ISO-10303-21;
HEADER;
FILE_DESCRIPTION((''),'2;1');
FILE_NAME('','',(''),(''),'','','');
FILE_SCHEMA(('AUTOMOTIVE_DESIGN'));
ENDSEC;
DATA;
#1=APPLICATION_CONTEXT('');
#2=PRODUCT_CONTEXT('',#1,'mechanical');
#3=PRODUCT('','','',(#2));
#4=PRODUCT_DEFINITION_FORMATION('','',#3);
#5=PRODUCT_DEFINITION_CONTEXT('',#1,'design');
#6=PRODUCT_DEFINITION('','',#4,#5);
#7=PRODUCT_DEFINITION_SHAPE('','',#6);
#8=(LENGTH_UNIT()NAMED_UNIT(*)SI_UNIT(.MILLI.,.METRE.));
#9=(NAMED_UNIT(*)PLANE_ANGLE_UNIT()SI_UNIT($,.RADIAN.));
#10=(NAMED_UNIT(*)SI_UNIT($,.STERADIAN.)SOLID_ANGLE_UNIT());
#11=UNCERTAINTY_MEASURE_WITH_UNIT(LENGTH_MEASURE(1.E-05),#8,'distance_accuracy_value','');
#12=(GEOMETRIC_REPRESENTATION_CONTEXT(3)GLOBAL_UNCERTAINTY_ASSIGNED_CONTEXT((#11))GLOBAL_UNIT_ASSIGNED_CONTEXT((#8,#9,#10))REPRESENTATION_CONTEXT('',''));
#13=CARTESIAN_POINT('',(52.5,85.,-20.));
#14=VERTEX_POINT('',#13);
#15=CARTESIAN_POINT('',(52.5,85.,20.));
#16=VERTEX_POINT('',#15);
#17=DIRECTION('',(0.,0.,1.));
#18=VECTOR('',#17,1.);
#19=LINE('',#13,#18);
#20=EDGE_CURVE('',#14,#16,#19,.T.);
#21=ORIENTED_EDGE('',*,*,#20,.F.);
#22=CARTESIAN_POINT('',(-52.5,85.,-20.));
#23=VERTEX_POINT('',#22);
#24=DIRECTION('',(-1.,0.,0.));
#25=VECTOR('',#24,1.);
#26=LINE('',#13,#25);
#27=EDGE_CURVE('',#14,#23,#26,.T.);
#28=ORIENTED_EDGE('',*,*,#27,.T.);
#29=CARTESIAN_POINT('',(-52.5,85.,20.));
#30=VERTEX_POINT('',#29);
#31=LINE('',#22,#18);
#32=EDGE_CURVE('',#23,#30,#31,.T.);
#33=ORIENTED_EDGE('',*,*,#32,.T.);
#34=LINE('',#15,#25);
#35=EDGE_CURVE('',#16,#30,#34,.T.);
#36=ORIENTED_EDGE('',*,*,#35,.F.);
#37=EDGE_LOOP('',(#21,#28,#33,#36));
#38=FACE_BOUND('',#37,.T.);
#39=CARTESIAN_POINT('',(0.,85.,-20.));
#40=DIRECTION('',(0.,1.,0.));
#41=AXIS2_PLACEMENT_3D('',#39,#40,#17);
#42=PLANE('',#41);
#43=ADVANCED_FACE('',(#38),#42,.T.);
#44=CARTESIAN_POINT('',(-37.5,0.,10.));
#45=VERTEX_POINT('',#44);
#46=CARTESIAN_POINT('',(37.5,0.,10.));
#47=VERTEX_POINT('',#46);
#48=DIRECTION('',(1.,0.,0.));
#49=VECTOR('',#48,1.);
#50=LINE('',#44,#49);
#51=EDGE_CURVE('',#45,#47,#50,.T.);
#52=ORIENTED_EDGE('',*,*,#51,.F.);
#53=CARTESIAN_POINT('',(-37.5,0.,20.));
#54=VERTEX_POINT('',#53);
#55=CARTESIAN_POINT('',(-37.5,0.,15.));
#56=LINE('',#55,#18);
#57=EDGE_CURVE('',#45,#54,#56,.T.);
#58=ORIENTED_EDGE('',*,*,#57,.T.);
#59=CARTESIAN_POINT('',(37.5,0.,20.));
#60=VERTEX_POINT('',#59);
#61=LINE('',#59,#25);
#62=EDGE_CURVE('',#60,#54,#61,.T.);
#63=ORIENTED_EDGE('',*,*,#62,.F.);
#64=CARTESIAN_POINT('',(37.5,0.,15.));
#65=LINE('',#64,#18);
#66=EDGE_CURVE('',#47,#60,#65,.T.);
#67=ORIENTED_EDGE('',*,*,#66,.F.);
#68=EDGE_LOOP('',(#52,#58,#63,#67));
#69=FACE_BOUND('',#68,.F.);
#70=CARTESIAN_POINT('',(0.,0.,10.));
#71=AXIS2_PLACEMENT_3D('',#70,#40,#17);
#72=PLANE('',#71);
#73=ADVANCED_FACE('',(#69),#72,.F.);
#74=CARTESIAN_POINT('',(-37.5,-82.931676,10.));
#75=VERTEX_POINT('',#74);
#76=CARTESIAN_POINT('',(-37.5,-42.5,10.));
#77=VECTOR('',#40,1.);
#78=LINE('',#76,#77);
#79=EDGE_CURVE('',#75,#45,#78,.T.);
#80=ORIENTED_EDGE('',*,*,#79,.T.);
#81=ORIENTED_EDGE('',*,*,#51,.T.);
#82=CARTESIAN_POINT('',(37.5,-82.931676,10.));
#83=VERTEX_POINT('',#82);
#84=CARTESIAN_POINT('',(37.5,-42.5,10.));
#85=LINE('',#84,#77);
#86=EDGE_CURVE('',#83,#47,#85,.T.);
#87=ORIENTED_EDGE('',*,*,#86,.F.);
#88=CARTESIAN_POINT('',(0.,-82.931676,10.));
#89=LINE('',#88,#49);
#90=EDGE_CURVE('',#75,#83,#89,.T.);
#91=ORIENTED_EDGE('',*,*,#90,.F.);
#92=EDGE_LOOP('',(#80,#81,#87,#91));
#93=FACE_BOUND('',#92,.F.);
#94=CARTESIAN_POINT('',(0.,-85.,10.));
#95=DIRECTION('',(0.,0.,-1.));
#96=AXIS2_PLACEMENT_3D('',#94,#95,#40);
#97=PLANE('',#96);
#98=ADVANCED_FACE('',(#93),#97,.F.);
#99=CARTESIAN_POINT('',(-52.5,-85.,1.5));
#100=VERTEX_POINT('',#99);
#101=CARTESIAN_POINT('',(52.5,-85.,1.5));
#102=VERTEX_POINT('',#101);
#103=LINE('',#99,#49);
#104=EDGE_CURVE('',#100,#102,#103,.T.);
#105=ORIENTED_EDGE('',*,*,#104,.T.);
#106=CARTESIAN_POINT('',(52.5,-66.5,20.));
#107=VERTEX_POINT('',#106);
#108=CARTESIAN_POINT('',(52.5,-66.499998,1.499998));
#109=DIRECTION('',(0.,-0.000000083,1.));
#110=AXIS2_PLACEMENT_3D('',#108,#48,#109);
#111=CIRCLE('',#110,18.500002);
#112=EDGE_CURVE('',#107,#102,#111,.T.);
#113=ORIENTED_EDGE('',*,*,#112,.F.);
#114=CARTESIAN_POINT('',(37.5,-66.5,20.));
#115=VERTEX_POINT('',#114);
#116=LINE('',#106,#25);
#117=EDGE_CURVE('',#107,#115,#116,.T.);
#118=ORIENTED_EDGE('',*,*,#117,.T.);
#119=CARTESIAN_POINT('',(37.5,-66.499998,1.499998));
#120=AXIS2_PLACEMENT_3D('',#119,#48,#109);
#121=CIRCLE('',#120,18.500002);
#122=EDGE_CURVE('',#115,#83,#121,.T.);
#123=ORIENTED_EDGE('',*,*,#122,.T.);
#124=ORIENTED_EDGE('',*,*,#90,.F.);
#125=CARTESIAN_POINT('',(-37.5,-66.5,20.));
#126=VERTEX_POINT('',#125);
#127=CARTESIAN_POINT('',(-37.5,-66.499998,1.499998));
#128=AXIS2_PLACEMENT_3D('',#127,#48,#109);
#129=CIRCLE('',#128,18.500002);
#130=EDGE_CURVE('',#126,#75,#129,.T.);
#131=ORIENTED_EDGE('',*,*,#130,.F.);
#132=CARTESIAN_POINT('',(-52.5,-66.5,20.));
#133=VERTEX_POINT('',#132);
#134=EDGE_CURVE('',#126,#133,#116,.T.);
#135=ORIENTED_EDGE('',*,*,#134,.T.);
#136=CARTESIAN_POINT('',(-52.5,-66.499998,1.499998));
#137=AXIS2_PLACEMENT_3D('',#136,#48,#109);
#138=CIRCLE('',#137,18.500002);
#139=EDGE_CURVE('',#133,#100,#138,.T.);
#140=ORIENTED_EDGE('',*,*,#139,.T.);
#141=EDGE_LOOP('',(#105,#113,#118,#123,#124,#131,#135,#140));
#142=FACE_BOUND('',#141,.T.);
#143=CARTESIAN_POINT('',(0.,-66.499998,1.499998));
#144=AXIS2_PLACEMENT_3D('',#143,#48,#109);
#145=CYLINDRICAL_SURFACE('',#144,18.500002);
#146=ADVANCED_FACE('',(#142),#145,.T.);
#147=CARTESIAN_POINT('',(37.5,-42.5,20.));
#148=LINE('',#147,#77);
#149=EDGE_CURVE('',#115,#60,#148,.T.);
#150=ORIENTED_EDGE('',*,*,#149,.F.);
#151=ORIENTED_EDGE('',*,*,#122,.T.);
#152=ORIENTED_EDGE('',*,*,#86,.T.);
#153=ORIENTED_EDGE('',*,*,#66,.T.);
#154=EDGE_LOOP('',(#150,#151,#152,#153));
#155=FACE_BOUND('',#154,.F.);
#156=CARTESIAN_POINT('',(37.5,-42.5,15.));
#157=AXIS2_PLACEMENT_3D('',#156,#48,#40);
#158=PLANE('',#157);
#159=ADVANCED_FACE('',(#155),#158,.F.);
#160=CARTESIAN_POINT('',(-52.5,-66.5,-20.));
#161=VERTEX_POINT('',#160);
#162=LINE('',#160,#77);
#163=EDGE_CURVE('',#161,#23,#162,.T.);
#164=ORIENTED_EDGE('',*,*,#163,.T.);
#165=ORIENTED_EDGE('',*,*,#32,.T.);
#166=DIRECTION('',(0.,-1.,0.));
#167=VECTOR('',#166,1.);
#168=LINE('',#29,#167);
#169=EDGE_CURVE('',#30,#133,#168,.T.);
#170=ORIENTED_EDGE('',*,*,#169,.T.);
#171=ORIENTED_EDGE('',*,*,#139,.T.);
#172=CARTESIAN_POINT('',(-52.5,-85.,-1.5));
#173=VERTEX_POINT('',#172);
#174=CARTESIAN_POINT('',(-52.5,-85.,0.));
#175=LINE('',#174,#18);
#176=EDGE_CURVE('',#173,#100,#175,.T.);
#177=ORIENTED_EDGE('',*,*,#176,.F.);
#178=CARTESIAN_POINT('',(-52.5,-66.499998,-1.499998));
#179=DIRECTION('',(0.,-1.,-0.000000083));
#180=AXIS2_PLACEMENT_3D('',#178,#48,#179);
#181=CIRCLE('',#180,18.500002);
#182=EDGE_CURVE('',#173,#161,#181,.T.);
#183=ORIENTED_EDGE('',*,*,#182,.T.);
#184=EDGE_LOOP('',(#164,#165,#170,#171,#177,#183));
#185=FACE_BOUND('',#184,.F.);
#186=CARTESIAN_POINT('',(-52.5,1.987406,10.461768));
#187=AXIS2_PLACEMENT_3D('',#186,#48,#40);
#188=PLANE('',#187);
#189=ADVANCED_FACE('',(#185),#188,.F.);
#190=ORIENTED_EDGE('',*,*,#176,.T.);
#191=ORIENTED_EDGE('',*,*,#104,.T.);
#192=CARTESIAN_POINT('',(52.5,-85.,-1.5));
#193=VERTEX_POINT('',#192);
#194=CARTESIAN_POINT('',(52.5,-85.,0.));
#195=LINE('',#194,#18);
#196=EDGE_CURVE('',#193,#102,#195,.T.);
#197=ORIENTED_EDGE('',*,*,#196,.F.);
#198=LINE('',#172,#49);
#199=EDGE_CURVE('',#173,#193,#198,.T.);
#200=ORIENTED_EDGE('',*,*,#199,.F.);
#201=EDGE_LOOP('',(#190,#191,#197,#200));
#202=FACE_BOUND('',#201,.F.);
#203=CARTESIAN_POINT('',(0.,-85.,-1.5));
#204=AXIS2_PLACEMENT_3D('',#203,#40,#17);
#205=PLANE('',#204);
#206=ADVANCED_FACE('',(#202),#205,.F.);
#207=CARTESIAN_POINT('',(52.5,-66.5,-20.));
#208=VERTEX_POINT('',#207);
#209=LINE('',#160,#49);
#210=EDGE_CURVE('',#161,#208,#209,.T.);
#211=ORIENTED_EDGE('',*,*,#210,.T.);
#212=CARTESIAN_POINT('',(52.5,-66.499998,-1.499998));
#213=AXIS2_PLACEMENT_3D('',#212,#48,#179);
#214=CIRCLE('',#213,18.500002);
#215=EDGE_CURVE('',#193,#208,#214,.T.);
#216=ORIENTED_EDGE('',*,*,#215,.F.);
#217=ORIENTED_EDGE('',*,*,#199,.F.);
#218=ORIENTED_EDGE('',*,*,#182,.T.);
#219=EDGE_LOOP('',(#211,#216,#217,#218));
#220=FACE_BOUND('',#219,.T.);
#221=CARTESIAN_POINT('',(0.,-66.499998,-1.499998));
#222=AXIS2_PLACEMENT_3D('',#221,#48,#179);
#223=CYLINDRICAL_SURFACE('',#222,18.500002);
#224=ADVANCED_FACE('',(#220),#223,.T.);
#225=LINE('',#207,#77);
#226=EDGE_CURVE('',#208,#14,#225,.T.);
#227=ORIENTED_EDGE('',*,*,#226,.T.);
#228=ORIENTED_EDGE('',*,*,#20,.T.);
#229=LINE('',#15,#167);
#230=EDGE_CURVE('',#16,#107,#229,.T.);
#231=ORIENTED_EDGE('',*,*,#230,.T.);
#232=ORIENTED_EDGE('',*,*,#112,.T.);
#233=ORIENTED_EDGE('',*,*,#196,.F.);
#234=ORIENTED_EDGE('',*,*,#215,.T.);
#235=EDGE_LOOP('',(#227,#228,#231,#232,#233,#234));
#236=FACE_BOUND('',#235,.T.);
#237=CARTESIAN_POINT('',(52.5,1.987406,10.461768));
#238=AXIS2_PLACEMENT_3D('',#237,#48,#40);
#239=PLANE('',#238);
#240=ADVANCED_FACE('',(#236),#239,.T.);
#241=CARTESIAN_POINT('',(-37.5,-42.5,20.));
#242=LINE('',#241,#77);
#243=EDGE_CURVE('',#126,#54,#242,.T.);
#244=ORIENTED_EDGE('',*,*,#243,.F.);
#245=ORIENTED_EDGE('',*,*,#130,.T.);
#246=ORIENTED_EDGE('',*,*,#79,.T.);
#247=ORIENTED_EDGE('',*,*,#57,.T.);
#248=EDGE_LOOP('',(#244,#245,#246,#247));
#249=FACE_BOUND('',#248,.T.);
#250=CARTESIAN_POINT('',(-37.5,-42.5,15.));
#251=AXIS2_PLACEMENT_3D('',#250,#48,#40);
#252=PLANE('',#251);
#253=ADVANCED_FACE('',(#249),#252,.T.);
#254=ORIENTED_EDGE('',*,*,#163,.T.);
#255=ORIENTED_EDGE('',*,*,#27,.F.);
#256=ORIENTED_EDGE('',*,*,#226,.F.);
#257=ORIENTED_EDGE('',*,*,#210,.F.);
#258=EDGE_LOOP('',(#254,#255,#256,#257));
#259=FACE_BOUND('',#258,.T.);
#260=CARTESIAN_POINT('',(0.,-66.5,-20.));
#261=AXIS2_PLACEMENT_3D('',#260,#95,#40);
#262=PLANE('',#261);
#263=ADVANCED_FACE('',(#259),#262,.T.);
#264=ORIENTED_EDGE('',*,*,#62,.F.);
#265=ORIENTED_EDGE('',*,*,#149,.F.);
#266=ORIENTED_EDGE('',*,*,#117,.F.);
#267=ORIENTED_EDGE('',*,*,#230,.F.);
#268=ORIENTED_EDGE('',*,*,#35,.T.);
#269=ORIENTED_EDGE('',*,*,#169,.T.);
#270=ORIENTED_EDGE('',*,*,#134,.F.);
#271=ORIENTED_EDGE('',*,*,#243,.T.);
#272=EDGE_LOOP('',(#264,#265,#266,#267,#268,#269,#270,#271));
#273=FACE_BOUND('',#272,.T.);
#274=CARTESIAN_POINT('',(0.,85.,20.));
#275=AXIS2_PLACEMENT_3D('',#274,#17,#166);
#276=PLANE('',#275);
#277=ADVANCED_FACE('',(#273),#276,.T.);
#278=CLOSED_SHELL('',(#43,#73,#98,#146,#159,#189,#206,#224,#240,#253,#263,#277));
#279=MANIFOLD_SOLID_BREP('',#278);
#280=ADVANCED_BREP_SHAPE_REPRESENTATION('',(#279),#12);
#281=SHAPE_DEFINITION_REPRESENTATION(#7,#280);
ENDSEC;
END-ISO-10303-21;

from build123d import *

# Parameters (mm, degrees)
F0_W     = 170
F0_H     = 3
F1_DEPTH = 52.5
F2_W     = 85
F2_H     = 10
F3_DEPTH = 37.5


with BuildPart() as f1:
    # F0 (on Right) → F1 (new body, symmetric)
    with BuildSketch(Plane.YZ):
        with BuildLine():
            ThreePointArc((-66.5, 20), (-79.581475, 14.581475), (-85, 1.5))
            Line((-85, 1.5), (85, 1.5))
            Line((85, 1.5), (85, 20))
            Line((85, 20), (-66.5, 20))
        make_face()
        Rectangle(F0_W, F0_H)
        with BuildLine():
            Line((85, -1.5), (-85, -1.5))
            ThreePointArc((-85, -1.5), (-79.581475, -14.581475), (-66.5, -20))
            Line((-66.5, -20), (85, -20))
            Line((85, -20), (85, -1.5))
        make_face()
    extrude(amount=F1_DEPTH, both=True)

    # F2 (on Right) → F3 (cut, symmetric)
    with BuildSketch(Plane.YZ):
        with Locations((-42.5, 15)):
            Rectangle(F2_W, F2_H)
    extrude(amount=F3_DEPTH, both=True, mode=Mode.SUBTRACT)


solid = f1.part
